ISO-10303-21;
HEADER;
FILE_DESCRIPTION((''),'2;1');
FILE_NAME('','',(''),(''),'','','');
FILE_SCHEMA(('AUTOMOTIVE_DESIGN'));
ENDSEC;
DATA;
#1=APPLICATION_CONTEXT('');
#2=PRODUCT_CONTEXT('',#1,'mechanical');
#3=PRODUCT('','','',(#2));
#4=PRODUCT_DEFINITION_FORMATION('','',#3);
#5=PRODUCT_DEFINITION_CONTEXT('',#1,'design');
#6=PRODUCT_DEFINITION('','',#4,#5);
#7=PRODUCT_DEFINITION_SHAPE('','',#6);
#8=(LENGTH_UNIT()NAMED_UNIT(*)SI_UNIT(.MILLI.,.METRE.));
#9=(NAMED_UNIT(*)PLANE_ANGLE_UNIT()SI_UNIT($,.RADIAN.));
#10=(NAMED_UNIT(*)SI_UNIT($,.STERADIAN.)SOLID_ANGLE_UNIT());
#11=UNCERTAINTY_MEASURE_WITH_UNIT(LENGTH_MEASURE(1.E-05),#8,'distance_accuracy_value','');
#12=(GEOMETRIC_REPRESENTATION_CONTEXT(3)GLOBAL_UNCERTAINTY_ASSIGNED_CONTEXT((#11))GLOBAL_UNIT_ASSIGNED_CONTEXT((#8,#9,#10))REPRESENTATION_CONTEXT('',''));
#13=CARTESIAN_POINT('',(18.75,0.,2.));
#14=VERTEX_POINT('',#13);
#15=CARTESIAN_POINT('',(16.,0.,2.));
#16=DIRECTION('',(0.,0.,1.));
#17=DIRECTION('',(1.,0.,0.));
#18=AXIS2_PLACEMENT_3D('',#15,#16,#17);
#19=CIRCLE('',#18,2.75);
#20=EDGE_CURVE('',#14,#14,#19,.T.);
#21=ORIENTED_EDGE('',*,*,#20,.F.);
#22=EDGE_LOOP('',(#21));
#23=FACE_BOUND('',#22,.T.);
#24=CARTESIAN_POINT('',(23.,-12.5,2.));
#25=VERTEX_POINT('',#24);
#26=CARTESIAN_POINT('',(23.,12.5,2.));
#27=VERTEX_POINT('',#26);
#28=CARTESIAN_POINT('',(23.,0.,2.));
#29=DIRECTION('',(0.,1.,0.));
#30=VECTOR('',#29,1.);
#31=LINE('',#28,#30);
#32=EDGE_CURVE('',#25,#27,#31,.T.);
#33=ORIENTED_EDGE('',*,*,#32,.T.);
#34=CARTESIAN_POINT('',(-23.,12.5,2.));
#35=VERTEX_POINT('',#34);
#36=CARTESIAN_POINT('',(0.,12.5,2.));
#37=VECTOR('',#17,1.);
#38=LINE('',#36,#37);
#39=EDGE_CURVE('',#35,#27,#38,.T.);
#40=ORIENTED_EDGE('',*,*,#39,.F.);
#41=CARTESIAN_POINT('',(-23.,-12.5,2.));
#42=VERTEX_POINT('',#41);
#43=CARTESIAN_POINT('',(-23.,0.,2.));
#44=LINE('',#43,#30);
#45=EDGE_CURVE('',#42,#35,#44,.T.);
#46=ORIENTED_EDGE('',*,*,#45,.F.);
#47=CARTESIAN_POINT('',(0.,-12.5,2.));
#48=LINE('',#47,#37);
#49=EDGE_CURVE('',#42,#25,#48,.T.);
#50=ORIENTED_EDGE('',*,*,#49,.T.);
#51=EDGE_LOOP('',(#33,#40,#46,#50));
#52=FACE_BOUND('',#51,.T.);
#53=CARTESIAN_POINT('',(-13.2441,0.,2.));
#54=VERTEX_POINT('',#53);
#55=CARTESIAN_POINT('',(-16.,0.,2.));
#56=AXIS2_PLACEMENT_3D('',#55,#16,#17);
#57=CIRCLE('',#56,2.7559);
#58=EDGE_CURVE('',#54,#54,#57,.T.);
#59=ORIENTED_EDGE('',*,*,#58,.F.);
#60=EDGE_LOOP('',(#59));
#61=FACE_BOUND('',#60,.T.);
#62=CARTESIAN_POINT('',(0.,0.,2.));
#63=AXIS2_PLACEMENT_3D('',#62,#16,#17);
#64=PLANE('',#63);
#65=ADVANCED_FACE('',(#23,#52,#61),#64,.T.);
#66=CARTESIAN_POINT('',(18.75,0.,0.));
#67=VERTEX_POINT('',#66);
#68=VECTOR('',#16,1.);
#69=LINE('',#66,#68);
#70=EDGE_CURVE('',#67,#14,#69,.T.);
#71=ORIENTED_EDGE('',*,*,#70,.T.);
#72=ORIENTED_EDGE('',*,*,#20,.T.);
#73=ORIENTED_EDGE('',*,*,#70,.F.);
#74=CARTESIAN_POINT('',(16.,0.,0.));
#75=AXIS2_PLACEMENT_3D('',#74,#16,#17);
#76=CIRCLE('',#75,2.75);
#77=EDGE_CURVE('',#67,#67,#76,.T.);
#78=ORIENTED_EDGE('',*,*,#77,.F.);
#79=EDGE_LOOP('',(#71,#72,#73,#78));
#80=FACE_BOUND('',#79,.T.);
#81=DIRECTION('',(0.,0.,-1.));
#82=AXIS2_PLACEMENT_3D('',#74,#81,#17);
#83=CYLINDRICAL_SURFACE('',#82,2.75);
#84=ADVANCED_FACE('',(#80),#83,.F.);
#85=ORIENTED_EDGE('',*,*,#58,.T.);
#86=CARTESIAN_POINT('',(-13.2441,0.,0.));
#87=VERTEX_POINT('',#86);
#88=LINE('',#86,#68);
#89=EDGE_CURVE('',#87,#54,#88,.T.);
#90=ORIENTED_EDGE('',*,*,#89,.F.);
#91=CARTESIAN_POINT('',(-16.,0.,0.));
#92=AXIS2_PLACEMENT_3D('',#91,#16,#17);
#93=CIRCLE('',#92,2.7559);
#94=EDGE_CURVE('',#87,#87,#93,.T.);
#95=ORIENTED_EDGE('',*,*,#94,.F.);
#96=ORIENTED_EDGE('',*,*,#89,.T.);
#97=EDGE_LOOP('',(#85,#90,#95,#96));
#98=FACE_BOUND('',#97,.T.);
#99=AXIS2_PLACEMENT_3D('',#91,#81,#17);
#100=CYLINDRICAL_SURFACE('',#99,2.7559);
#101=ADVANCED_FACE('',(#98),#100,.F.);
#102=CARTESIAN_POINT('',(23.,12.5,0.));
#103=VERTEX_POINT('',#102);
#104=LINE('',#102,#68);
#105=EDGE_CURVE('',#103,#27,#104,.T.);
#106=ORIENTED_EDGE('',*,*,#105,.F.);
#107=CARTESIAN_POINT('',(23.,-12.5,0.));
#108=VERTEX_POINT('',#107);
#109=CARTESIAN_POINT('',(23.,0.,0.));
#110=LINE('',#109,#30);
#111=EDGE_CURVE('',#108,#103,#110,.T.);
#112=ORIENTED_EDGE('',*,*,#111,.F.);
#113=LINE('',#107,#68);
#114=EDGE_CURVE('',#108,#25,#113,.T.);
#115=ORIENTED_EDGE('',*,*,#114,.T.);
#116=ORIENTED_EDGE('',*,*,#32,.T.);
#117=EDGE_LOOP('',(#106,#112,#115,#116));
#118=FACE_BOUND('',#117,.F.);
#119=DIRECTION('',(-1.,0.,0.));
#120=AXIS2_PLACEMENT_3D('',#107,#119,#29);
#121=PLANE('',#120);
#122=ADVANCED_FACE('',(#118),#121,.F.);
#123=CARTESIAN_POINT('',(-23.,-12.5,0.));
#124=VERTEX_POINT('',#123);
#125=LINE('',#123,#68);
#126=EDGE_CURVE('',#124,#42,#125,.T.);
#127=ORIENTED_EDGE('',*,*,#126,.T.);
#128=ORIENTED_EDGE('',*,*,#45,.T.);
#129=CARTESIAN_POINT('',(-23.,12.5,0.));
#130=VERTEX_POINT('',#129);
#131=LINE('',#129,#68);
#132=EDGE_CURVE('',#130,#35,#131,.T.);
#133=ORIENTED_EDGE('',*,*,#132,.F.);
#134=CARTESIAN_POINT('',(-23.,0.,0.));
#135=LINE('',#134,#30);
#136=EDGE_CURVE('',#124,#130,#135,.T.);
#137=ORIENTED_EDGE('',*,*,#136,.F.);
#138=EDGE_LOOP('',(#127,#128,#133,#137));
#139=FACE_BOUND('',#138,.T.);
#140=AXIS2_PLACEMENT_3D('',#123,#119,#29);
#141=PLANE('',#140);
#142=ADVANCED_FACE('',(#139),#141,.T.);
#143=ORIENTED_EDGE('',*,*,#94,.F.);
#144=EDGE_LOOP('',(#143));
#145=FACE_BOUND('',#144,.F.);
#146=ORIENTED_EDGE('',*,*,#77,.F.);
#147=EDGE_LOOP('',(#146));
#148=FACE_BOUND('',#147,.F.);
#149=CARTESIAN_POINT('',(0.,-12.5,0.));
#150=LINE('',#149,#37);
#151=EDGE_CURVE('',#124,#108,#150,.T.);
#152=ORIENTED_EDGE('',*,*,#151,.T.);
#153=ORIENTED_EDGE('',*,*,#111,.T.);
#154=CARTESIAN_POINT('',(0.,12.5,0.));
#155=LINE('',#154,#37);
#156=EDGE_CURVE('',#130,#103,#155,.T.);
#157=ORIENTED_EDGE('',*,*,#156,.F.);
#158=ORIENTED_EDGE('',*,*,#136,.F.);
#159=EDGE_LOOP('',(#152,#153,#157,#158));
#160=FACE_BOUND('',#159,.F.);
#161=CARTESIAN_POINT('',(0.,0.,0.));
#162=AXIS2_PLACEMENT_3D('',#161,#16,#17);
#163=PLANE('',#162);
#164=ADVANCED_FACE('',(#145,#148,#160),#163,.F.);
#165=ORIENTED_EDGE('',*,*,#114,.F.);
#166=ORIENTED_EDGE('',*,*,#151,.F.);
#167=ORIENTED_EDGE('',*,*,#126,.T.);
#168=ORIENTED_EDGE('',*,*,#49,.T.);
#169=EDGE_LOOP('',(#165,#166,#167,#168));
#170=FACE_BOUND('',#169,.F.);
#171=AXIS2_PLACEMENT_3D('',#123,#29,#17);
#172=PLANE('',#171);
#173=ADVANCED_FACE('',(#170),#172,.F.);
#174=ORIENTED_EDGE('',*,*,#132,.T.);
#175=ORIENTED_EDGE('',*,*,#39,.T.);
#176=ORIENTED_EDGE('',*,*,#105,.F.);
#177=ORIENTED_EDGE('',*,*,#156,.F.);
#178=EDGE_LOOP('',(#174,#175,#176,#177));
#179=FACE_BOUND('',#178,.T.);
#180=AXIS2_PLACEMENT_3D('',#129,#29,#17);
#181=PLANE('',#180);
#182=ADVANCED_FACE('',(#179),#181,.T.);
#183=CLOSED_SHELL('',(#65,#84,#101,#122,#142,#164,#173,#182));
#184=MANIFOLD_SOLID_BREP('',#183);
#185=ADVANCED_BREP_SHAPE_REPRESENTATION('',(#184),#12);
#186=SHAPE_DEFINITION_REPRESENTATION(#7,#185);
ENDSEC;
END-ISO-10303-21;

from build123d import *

# Parameters (mm, degrees)
F0_W     = 46
F0_H     = 25
F0_R     = 2.7559
F0_R_2   = 2.75
F1_DEPTH = 2


with BuildPart() as f1:
    # F0 (on Top) → F1 (new body)
    with BuildSketch(Plane.XY):
        Rectangle(F0_W, F0_H)
        with Locations((-16, 0)):
            Circle(F0_R, mode=Mode.SUBTRACT)
        with Locations((16, 0)):
            Circle(F0_R_2, mode=Mode.SUBTRACT)
    extrude(amount=F1_DEPTH)


solid = f1.part
